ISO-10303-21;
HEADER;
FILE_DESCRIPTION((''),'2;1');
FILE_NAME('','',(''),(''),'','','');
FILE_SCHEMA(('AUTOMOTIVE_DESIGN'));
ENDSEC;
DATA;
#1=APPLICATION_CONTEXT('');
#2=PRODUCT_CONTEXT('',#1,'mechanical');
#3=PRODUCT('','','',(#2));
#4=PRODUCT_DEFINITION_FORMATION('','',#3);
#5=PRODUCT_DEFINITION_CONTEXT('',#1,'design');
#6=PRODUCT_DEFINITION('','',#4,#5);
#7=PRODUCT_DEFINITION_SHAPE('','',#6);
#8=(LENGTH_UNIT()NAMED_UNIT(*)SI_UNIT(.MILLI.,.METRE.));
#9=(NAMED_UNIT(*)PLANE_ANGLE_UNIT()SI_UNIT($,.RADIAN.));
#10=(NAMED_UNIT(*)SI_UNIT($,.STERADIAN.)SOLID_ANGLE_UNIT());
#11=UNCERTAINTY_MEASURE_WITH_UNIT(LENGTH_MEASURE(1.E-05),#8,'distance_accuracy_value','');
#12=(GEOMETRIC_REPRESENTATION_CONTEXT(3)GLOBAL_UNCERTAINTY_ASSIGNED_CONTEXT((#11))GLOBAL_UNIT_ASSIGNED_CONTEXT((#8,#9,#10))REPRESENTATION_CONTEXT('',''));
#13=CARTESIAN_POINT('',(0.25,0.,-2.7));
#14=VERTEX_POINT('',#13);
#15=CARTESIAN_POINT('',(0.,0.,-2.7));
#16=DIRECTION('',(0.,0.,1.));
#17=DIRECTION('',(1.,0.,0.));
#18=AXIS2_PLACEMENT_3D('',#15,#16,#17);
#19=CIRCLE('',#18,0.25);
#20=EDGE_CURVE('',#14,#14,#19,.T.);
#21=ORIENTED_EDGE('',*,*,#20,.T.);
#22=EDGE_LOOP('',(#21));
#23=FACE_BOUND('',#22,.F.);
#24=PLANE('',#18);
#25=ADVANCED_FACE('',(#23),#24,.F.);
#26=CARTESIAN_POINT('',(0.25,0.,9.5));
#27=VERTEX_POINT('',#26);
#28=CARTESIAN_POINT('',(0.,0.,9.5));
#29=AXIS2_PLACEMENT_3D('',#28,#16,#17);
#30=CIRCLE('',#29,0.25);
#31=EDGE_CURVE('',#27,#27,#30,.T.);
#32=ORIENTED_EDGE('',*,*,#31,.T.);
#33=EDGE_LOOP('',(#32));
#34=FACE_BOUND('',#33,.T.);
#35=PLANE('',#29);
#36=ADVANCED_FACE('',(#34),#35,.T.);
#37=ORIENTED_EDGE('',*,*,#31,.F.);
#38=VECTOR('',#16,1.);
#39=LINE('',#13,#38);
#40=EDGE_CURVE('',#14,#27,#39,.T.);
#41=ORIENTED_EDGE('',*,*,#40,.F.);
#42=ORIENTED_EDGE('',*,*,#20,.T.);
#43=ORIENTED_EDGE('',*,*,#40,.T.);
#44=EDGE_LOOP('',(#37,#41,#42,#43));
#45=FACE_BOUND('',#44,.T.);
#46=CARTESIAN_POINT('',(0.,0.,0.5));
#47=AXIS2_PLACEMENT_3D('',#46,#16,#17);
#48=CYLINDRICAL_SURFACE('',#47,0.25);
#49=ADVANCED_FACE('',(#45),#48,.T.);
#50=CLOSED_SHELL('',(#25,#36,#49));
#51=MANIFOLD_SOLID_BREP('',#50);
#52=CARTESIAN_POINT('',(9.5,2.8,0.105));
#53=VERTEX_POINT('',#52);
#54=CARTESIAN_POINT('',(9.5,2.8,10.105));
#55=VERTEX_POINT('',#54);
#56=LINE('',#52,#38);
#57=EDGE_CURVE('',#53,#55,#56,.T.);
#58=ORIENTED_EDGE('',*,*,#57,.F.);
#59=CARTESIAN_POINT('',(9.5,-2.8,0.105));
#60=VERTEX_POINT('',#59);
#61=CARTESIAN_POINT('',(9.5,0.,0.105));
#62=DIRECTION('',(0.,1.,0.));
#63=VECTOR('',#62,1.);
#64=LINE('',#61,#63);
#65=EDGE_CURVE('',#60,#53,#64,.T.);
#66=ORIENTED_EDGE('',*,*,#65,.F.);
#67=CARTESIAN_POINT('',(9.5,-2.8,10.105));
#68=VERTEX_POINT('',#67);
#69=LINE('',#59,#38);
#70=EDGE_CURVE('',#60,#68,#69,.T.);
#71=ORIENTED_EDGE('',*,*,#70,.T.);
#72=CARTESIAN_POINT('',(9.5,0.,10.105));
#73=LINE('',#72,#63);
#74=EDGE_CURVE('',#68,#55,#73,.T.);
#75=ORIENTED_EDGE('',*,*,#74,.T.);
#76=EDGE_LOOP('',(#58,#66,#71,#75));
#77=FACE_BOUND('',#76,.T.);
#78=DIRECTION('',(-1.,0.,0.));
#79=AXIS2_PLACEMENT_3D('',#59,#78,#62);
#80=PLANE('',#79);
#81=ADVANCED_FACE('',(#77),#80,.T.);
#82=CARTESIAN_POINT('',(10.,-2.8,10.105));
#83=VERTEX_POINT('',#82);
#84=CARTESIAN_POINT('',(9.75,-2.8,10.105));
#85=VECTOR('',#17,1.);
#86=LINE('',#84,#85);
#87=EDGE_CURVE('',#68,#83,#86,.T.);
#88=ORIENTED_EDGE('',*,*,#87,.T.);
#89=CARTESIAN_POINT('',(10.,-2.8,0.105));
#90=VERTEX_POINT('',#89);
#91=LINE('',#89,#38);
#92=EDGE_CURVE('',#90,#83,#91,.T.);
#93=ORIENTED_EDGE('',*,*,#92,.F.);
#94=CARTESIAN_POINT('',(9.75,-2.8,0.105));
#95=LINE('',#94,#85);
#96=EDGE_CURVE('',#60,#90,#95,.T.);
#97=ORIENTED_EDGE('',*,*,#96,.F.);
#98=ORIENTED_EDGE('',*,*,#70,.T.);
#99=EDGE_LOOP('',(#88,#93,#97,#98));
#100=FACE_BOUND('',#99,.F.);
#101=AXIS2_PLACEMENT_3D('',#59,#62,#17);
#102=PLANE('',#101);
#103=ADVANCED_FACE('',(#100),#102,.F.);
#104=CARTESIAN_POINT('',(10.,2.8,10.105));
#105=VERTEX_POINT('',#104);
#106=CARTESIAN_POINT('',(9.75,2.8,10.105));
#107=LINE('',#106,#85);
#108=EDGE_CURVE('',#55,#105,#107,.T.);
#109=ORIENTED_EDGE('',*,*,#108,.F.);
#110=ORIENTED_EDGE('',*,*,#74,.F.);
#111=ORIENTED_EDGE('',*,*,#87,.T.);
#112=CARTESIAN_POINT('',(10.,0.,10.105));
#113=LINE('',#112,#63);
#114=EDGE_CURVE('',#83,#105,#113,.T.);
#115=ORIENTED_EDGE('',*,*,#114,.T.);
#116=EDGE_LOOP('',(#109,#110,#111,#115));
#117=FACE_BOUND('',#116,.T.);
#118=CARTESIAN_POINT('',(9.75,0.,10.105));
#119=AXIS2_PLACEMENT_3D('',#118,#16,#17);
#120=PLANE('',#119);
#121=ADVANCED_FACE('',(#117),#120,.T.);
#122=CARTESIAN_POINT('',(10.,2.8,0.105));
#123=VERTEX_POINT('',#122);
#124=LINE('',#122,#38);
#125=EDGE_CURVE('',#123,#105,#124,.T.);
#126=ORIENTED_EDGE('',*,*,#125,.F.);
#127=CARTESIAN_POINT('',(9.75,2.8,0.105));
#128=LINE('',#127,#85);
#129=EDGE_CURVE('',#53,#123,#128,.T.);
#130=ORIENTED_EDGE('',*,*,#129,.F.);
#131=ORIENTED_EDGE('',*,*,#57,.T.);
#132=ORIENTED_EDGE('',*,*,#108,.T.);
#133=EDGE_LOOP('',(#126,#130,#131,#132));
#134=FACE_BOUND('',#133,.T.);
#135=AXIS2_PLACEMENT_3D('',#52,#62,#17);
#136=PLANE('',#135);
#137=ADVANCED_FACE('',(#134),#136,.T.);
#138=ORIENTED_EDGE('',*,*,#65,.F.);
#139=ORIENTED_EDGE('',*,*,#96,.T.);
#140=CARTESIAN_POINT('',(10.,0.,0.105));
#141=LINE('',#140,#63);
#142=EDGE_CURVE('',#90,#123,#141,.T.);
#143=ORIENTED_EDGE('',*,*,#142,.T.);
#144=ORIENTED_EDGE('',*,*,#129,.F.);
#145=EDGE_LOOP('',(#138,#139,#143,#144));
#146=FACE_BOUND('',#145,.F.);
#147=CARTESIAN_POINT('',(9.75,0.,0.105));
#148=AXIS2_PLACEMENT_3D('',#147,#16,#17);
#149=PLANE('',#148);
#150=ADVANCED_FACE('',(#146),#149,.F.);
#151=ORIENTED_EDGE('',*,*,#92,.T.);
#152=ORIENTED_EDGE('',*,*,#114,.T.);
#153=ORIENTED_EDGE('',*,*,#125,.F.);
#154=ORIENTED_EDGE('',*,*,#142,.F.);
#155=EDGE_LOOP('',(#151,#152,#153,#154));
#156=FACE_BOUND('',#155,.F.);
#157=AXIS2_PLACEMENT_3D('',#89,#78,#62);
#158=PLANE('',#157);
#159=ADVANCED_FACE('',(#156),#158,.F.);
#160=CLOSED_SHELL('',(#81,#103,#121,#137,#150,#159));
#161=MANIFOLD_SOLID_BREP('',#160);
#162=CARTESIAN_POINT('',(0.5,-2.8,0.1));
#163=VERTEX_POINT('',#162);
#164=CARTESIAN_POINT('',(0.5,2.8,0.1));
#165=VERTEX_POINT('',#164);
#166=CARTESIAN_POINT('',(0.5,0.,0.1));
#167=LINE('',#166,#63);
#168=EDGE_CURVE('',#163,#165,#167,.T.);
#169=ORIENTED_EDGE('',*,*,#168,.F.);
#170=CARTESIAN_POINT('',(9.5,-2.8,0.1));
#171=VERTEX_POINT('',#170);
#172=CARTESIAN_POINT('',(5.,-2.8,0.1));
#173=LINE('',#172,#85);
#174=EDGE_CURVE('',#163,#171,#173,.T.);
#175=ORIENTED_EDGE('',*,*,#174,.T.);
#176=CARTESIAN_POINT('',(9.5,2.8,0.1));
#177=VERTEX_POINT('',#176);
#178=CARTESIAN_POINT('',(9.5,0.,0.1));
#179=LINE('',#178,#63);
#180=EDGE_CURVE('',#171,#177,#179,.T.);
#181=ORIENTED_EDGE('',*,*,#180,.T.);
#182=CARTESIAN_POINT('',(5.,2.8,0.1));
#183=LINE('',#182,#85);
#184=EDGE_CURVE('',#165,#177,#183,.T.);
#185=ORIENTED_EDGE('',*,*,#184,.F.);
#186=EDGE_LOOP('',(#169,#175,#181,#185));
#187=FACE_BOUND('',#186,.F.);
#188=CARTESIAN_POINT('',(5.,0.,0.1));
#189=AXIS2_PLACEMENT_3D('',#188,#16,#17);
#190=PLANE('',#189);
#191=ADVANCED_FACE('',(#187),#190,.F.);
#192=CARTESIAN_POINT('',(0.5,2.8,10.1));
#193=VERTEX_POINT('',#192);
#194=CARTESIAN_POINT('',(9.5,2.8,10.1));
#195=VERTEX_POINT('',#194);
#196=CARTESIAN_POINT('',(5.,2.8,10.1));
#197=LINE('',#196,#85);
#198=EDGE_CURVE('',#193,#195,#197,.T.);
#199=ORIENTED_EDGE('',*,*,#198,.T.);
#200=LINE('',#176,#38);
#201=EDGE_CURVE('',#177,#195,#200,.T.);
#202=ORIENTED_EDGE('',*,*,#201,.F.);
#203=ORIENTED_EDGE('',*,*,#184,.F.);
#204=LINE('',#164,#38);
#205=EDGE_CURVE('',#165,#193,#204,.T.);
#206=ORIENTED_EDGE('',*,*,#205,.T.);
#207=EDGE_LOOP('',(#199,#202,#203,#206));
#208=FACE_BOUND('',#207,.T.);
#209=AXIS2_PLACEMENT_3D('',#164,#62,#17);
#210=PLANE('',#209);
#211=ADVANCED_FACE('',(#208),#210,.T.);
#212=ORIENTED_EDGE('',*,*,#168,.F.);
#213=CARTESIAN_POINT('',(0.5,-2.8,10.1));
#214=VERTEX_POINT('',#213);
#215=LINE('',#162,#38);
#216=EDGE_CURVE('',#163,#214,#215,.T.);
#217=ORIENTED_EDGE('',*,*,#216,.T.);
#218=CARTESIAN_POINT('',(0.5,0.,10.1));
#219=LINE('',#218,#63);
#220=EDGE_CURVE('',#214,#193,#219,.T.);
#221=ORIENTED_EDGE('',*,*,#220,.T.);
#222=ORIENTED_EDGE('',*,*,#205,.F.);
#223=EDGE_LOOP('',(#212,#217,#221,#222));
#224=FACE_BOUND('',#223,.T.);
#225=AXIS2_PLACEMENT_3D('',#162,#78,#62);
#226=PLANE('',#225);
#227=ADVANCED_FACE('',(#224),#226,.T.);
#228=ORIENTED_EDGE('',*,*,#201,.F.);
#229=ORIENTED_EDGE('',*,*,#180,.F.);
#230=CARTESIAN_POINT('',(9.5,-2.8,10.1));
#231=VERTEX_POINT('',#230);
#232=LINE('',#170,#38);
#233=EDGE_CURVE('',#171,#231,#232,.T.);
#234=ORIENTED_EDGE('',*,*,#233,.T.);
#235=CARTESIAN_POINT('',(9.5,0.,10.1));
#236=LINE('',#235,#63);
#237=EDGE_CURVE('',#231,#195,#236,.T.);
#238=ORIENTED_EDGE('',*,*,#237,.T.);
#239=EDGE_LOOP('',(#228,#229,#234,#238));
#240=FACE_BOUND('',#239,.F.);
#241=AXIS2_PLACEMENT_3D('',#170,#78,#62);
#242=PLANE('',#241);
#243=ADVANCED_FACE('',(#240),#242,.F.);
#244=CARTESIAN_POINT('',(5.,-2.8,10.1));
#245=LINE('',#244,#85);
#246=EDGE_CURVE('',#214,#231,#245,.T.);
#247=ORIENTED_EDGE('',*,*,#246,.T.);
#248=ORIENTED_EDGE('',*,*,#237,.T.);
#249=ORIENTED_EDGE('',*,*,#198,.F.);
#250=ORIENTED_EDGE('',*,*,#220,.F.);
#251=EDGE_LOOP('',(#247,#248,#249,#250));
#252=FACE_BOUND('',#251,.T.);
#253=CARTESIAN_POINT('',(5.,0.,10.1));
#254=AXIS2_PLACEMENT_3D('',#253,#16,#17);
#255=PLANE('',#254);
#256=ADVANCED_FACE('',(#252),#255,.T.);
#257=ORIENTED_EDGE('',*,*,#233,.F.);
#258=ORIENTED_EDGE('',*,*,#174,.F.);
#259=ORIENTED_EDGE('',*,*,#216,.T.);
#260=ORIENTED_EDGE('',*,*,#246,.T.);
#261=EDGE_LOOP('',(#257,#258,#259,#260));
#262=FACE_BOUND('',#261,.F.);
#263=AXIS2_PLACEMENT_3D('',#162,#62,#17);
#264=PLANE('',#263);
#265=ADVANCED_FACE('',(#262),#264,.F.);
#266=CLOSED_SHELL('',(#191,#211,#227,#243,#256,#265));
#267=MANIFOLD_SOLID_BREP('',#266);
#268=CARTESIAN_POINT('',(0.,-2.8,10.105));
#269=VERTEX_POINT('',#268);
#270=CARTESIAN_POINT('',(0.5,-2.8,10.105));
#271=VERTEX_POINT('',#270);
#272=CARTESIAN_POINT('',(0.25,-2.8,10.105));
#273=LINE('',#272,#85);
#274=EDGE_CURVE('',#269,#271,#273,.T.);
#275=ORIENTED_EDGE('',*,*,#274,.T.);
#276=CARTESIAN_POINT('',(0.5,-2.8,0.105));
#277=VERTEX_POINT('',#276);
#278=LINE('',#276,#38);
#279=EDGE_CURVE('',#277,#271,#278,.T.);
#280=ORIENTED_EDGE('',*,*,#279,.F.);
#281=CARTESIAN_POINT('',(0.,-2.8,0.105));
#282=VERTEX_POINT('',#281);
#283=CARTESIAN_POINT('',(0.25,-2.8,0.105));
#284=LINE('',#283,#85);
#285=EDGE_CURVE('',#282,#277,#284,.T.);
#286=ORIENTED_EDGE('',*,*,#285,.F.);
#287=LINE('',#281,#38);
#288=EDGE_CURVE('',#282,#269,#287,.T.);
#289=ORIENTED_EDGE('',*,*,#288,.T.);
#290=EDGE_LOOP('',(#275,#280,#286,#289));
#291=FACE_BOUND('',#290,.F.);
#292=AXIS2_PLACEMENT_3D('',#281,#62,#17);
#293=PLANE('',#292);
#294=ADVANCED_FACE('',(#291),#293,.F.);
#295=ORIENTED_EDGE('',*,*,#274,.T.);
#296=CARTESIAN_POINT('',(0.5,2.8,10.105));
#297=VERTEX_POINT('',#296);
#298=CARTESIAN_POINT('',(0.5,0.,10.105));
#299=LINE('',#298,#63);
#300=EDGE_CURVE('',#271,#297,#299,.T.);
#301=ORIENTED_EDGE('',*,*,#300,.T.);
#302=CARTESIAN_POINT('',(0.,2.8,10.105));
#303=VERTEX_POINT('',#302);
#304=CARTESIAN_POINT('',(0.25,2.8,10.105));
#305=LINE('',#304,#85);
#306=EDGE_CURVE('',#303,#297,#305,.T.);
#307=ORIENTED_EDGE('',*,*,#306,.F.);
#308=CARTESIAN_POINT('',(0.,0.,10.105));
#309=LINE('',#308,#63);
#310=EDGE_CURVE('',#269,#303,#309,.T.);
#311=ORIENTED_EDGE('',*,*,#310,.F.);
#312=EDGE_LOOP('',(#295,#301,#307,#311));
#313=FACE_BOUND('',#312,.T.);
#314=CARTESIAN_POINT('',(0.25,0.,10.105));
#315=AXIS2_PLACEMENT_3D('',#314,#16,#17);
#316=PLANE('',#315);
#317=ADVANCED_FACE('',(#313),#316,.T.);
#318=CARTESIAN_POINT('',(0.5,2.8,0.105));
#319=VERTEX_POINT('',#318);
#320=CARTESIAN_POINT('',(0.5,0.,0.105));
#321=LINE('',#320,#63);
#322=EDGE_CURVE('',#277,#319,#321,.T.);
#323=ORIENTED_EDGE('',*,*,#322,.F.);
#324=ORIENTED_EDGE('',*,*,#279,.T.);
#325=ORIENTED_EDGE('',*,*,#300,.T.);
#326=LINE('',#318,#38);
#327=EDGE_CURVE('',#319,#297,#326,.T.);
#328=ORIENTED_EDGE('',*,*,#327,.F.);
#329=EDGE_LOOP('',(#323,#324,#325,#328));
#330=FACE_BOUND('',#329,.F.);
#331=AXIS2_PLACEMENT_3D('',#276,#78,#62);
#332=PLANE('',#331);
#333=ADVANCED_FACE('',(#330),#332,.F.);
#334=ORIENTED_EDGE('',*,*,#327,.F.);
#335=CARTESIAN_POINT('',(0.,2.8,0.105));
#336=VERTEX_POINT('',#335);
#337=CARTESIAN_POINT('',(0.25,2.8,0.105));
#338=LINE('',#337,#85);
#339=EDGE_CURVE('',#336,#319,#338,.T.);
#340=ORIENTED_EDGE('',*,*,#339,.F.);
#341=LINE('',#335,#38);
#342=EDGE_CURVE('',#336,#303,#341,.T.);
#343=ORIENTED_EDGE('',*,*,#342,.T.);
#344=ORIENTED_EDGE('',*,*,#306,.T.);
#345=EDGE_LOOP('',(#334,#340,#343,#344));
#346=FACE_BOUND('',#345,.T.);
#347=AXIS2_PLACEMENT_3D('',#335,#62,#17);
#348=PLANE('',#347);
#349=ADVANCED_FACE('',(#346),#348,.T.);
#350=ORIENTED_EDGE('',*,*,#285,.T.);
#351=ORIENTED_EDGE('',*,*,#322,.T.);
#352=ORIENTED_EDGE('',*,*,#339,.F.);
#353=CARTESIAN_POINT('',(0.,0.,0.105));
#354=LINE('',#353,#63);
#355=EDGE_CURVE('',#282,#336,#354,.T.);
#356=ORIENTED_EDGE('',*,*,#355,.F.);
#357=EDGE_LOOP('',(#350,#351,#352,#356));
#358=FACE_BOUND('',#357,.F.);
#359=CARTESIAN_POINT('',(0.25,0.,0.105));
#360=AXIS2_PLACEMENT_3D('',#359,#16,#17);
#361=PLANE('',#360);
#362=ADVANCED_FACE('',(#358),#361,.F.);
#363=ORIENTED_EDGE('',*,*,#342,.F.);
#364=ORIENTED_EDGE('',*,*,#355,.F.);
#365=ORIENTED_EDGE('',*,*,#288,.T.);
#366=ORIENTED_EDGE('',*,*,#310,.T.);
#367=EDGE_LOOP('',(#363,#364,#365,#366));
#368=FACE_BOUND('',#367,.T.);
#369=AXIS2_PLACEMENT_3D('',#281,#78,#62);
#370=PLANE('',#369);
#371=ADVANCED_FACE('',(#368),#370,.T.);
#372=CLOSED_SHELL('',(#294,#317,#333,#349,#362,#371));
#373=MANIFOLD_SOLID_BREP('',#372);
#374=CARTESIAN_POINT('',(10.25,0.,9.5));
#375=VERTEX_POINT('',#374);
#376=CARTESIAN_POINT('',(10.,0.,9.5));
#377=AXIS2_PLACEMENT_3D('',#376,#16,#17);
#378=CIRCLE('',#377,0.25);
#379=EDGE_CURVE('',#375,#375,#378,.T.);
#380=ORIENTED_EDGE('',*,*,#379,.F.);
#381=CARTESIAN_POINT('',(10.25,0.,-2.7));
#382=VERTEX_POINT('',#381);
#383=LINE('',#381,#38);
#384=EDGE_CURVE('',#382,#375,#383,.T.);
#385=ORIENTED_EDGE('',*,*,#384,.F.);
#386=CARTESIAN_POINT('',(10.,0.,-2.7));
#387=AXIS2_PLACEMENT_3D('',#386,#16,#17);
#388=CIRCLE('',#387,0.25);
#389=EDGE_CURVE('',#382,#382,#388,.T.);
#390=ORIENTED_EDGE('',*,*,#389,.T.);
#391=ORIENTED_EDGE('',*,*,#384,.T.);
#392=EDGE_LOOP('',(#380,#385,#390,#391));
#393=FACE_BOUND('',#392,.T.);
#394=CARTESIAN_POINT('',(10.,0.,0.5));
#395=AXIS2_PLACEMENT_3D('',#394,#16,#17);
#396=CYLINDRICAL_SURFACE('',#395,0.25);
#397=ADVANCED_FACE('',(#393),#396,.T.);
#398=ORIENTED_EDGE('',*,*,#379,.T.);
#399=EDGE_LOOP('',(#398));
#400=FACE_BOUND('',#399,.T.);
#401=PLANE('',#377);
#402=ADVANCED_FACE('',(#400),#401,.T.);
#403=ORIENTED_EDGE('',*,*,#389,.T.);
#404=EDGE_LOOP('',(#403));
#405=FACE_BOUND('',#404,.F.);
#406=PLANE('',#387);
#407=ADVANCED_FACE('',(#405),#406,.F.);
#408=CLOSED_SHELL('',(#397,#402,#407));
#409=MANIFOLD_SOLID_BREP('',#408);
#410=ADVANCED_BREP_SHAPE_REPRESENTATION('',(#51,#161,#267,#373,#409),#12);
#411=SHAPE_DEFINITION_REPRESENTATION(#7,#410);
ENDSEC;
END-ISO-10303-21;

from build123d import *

# Parameters (mm, degrees)
SKETCH_W          = 9
SKETCH_H          = 5.6
PAD_DEPTH         = 10
SKETCH001_R       = 0.25
PAD001_DEPTH      = 9
PAD001_DEPTH_BACK = 3.2
SKETCH002_W       = 0.5
SKETCH002_H       = 5.6
PAD002_DEPTH      = 10


with BuildPart() as pad:
    # Sketch → Pad (new body)
    with BuildSketch(Plane.XY.offset(0.1)):
        with Locations((5, 0)):
            Rectangle(SKETCH_W, SKETCH_H)
    extrude(amount=PAD_DEPTH)


with BuildPart() as pad001:
    # Sketch001 → Pad001 (new body, two sides)
    with BuildSketch(Plane.XY.offset(0.5)) as pad001_sk:
        Circle(SKETCH001_R)
        with Locations((10, 0)):
            Circle(SKETCH001_R)
    extrude(amount=PAD001_DEPTH)
    extrude(pad001_sk.sketch, amount=-PAD001_DEPTH_BACK)


with BuildPart() as pad002:
    # Sketch002 → Pad002 (new body)
    with BuildSketch(Plane.XY.offset(0.105)):
        with Locations((0.25, 0)):
            Rectangle(SKETCH002_W, SKETCH002_H)
        with Locations((9.75, 0)):
            Rectangle(SKETCH002_W, SKETCH002_H)
    extrude(amount=PAD002_DEPTH)


solid = Compound([pad.part, pad001.part, pad002.part])
